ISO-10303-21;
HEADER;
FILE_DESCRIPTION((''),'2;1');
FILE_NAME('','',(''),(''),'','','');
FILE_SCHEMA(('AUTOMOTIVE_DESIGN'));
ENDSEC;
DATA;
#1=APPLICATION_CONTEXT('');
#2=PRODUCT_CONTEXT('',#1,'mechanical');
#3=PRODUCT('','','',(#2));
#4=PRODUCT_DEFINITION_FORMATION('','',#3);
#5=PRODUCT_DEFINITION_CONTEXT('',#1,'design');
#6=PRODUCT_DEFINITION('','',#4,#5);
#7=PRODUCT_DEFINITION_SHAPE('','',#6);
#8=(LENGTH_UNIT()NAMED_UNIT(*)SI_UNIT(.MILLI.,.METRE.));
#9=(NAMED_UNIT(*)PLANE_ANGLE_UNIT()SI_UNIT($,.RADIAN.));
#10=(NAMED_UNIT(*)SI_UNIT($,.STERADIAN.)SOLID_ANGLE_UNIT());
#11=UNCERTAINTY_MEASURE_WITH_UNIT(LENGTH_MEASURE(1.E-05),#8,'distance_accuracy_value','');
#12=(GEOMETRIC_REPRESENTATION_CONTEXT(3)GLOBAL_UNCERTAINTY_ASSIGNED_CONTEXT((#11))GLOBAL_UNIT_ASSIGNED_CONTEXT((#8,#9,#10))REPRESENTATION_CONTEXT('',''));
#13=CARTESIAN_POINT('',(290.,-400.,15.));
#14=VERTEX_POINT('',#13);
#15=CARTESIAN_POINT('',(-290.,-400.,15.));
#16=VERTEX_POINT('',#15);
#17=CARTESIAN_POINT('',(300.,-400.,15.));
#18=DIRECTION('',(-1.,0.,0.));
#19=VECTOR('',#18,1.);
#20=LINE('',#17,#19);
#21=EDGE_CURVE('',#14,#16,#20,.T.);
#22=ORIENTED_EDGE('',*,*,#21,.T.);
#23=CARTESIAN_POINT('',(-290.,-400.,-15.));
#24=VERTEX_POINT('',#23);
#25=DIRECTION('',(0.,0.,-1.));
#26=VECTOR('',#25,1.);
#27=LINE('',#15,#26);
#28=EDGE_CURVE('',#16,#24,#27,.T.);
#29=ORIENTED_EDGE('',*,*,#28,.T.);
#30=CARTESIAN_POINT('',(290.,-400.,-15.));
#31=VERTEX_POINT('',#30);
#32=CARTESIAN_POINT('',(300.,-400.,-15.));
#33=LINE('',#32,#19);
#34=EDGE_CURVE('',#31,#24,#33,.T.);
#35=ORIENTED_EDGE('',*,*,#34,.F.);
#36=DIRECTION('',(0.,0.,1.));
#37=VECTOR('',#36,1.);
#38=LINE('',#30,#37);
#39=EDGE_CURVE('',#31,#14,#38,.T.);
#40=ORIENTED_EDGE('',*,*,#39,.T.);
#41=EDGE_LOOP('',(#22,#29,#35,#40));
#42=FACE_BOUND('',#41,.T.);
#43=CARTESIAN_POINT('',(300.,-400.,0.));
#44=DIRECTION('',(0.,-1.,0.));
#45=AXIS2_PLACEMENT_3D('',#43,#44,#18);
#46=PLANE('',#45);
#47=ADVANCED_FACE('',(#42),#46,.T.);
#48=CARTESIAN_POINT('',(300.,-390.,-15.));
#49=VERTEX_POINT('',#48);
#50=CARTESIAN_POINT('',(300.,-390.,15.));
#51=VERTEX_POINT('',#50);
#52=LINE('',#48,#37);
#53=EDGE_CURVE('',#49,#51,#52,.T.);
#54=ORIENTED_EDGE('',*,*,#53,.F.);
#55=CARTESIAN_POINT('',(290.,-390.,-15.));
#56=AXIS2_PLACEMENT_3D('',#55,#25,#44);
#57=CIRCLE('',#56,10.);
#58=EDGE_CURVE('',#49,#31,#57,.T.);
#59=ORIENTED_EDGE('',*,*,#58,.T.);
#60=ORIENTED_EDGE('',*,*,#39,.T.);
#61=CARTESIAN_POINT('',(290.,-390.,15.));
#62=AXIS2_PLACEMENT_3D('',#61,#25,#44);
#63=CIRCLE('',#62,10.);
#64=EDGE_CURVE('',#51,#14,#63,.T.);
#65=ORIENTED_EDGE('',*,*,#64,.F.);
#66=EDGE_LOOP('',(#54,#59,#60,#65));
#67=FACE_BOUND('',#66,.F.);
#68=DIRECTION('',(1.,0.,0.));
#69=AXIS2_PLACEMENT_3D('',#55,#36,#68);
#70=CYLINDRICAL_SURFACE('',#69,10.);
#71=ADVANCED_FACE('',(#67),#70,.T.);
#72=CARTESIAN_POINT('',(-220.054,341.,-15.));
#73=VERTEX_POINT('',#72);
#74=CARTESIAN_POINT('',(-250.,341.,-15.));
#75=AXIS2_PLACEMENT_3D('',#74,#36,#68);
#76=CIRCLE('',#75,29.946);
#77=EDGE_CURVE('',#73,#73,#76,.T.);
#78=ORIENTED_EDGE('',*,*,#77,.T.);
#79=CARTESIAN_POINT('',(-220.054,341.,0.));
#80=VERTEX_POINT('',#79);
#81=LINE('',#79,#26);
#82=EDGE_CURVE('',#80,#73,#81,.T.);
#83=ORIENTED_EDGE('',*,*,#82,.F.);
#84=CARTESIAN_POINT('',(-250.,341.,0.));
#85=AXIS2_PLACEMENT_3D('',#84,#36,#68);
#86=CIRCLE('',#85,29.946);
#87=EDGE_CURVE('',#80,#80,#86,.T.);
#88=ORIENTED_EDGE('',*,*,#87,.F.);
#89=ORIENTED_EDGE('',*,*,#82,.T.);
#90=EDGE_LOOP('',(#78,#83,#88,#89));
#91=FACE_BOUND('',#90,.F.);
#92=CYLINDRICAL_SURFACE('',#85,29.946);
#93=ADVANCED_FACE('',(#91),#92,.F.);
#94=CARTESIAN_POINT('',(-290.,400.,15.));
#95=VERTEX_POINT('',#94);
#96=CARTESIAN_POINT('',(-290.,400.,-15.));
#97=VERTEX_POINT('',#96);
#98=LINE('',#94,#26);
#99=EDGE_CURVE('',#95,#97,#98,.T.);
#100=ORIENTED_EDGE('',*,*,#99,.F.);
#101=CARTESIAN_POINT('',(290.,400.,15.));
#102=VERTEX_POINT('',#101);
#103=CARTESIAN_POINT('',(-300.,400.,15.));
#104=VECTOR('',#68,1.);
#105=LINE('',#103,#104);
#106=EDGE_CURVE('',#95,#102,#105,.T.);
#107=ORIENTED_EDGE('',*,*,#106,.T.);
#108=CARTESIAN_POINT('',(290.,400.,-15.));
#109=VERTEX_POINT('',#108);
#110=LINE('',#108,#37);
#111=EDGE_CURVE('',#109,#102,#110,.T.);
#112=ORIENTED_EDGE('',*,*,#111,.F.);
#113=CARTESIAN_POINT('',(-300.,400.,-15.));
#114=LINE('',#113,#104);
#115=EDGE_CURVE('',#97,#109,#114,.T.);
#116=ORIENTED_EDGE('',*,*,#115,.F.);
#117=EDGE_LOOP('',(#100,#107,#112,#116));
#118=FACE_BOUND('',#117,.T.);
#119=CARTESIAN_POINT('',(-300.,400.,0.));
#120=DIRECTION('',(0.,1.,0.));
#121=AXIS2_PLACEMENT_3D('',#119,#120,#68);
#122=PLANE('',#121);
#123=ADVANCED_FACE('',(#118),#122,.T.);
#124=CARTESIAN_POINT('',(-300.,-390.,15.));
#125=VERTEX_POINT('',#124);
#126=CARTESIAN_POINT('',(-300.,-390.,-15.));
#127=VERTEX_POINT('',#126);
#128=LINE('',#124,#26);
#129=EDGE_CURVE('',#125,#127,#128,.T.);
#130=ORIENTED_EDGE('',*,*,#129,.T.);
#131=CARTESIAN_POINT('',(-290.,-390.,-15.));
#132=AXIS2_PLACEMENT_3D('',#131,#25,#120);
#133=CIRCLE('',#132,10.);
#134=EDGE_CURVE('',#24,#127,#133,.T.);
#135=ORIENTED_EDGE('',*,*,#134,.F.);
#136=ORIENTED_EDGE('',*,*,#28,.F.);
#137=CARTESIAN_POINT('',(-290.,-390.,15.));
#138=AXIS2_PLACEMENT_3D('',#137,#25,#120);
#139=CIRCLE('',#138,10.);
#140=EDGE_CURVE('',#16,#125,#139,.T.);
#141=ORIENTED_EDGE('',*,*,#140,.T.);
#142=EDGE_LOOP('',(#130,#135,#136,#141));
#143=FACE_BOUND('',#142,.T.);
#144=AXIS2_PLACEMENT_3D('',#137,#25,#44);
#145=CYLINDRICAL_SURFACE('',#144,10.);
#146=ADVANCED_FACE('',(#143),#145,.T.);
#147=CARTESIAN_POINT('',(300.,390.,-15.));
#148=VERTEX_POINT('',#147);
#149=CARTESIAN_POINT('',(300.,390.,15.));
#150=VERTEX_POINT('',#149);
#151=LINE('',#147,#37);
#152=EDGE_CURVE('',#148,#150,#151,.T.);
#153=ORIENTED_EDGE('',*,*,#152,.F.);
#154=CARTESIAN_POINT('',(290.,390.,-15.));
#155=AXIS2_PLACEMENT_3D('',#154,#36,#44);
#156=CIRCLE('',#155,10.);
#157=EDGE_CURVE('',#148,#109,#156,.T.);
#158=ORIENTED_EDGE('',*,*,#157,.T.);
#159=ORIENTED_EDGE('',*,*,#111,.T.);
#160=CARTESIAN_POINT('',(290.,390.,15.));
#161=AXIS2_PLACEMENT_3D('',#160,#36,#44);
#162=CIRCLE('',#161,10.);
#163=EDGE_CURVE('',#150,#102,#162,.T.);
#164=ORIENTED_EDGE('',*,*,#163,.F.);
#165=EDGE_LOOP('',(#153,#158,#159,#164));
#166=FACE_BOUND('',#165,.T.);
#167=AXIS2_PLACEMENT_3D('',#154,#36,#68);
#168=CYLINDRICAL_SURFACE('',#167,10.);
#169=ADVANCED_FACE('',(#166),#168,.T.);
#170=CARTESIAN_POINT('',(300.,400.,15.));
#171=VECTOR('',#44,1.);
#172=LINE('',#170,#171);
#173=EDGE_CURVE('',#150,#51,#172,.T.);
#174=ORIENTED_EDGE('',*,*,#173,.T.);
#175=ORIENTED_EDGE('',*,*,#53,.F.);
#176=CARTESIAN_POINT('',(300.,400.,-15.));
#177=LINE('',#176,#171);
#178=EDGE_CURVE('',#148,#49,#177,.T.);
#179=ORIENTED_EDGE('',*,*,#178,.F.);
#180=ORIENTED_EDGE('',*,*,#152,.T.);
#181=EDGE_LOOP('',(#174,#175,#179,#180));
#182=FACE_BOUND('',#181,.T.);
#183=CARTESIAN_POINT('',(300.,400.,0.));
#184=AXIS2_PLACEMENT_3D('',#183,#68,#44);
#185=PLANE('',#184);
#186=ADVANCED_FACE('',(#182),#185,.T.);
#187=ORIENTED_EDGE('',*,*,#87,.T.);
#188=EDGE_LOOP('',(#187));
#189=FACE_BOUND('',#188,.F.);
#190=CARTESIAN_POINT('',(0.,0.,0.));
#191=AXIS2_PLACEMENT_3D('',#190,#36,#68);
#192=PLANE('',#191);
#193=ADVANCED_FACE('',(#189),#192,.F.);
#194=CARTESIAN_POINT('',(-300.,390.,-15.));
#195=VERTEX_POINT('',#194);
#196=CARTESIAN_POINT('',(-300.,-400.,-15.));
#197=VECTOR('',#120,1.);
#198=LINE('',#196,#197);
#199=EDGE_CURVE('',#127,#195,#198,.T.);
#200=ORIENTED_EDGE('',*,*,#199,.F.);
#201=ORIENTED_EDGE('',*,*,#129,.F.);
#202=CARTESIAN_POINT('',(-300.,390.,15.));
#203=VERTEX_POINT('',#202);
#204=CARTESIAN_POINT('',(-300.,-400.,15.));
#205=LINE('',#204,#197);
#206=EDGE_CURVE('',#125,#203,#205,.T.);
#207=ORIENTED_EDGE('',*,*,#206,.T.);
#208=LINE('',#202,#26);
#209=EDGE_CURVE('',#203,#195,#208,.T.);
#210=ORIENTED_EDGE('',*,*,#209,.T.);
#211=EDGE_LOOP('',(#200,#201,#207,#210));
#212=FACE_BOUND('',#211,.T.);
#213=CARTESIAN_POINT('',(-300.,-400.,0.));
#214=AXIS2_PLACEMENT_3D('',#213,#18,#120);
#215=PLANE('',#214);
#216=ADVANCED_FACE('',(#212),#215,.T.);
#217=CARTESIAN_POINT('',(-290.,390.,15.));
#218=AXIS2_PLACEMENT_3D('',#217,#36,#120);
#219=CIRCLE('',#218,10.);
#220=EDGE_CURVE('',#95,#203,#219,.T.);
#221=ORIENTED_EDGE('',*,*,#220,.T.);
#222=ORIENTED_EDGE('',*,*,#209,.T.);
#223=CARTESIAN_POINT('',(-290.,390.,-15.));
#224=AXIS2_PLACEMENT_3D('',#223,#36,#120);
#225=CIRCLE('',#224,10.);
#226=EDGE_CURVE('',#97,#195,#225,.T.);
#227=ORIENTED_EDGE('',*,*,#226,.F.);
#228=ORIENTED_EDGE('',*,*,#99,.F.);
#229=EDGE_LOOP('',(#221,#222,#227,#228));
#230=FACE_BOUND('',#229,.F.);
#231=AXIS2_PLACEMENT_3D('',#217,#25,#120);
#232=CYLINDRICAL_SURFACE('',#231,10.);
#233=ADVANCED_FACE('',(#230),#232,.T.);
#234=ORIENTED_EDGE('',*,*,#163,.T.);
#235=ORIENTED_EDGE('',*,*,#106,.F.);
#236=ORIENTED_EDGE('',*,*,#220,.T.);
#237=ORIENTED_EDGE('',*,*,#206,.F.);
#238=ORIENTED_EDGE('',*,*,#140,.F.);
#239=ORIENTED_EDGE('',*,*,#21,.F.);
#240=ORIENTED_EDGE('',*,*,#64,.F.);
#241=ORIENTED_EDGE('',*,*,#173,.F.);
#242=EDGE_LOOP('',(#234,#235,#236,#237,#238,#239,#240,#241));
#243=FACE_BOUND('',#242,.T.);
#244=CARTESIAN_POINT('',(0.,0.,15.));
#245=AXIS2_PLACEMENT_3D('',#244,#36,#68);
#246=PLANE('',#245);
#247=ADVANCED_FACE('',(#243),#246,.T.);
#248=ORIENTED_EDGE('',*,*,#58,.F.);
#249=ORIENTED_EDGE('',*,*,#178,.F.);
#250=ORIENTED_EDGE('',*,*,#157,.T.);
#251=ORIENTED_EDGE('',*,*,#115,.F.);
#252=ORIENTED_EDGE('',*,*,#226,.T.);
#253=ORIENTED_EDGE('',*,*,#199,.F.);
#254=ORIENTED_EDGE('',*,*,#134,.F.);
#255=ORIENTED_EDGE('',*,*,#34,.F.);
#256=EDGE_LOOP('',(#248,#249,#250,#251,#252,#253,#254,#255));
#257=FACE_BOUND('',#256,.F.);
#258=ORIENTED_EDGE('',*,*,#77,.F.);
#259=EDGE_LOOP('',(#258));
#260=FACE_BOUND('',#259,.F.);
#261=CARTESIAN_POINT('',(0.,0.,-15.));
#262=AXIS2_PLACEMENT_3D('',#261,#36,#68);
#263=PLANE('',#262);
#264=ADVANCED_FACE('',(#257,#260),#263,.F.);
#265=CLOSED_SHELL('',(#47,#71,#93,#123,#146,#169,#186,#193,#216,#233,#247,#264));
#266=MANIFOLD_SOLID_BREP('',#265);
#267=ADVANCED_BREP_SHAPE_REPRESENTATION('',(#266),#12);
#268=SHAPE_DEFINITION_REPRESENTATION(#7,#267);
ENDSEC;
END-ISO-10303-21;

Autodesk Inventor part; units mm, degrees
sketch "Sketch1" plane through (0, 0, 0) normal (0, 0, 1) x (1, 0, 0)
  line L0 (300, -400) -> (-300, -400)
  line L1 (-300, -400) -> (-300, 400)
  line L2 (-300, 400) -> (300, 400)
  line L3 (300, 400) -> (300, -400)
  line L4 (300, -400) -> (-300, 400) construction
  line L5 (-300, -400) -> (300, 400) construction
  point P0 (0, 0)
  dimension "d1" = 600
  dimension "d2" = 800
extrude "Extrusion1" add sketch "Sketch1" along normal mid plane 30
fillet "Fillet1" radius 10 1 edges at (300, 400, 0)
fillet "Fillet2" radius 10 1 edges at (300, -400, 0)
fillet "Fillet3" radius 10 2 edges at (-300, -400, 0) (-300, 400, 0)
sketch "Sketch6" plane through (0, 0, 0) normal (0, 0, 1) x (1, 0, 0)
  line L0 (-300, -390) -> (-300, 390) projected
  line L1 (-290, 400) -> (290, 400) projected
  circle A0 centre (-250, 341) radius 29.946
  point P0 (0, 0)
  dimension "d29" = 50
  dimension "d30" = 59
sketch "Sketch7" plane through (0, 0, 0) normal (0, 0, 1) x (1, 0, 0)
  point P0 (0, 0)
extrude "Extrusion3" cut sketch "Sketch6" against normal blind 30
properties part number "Mesa_ergonomica"
